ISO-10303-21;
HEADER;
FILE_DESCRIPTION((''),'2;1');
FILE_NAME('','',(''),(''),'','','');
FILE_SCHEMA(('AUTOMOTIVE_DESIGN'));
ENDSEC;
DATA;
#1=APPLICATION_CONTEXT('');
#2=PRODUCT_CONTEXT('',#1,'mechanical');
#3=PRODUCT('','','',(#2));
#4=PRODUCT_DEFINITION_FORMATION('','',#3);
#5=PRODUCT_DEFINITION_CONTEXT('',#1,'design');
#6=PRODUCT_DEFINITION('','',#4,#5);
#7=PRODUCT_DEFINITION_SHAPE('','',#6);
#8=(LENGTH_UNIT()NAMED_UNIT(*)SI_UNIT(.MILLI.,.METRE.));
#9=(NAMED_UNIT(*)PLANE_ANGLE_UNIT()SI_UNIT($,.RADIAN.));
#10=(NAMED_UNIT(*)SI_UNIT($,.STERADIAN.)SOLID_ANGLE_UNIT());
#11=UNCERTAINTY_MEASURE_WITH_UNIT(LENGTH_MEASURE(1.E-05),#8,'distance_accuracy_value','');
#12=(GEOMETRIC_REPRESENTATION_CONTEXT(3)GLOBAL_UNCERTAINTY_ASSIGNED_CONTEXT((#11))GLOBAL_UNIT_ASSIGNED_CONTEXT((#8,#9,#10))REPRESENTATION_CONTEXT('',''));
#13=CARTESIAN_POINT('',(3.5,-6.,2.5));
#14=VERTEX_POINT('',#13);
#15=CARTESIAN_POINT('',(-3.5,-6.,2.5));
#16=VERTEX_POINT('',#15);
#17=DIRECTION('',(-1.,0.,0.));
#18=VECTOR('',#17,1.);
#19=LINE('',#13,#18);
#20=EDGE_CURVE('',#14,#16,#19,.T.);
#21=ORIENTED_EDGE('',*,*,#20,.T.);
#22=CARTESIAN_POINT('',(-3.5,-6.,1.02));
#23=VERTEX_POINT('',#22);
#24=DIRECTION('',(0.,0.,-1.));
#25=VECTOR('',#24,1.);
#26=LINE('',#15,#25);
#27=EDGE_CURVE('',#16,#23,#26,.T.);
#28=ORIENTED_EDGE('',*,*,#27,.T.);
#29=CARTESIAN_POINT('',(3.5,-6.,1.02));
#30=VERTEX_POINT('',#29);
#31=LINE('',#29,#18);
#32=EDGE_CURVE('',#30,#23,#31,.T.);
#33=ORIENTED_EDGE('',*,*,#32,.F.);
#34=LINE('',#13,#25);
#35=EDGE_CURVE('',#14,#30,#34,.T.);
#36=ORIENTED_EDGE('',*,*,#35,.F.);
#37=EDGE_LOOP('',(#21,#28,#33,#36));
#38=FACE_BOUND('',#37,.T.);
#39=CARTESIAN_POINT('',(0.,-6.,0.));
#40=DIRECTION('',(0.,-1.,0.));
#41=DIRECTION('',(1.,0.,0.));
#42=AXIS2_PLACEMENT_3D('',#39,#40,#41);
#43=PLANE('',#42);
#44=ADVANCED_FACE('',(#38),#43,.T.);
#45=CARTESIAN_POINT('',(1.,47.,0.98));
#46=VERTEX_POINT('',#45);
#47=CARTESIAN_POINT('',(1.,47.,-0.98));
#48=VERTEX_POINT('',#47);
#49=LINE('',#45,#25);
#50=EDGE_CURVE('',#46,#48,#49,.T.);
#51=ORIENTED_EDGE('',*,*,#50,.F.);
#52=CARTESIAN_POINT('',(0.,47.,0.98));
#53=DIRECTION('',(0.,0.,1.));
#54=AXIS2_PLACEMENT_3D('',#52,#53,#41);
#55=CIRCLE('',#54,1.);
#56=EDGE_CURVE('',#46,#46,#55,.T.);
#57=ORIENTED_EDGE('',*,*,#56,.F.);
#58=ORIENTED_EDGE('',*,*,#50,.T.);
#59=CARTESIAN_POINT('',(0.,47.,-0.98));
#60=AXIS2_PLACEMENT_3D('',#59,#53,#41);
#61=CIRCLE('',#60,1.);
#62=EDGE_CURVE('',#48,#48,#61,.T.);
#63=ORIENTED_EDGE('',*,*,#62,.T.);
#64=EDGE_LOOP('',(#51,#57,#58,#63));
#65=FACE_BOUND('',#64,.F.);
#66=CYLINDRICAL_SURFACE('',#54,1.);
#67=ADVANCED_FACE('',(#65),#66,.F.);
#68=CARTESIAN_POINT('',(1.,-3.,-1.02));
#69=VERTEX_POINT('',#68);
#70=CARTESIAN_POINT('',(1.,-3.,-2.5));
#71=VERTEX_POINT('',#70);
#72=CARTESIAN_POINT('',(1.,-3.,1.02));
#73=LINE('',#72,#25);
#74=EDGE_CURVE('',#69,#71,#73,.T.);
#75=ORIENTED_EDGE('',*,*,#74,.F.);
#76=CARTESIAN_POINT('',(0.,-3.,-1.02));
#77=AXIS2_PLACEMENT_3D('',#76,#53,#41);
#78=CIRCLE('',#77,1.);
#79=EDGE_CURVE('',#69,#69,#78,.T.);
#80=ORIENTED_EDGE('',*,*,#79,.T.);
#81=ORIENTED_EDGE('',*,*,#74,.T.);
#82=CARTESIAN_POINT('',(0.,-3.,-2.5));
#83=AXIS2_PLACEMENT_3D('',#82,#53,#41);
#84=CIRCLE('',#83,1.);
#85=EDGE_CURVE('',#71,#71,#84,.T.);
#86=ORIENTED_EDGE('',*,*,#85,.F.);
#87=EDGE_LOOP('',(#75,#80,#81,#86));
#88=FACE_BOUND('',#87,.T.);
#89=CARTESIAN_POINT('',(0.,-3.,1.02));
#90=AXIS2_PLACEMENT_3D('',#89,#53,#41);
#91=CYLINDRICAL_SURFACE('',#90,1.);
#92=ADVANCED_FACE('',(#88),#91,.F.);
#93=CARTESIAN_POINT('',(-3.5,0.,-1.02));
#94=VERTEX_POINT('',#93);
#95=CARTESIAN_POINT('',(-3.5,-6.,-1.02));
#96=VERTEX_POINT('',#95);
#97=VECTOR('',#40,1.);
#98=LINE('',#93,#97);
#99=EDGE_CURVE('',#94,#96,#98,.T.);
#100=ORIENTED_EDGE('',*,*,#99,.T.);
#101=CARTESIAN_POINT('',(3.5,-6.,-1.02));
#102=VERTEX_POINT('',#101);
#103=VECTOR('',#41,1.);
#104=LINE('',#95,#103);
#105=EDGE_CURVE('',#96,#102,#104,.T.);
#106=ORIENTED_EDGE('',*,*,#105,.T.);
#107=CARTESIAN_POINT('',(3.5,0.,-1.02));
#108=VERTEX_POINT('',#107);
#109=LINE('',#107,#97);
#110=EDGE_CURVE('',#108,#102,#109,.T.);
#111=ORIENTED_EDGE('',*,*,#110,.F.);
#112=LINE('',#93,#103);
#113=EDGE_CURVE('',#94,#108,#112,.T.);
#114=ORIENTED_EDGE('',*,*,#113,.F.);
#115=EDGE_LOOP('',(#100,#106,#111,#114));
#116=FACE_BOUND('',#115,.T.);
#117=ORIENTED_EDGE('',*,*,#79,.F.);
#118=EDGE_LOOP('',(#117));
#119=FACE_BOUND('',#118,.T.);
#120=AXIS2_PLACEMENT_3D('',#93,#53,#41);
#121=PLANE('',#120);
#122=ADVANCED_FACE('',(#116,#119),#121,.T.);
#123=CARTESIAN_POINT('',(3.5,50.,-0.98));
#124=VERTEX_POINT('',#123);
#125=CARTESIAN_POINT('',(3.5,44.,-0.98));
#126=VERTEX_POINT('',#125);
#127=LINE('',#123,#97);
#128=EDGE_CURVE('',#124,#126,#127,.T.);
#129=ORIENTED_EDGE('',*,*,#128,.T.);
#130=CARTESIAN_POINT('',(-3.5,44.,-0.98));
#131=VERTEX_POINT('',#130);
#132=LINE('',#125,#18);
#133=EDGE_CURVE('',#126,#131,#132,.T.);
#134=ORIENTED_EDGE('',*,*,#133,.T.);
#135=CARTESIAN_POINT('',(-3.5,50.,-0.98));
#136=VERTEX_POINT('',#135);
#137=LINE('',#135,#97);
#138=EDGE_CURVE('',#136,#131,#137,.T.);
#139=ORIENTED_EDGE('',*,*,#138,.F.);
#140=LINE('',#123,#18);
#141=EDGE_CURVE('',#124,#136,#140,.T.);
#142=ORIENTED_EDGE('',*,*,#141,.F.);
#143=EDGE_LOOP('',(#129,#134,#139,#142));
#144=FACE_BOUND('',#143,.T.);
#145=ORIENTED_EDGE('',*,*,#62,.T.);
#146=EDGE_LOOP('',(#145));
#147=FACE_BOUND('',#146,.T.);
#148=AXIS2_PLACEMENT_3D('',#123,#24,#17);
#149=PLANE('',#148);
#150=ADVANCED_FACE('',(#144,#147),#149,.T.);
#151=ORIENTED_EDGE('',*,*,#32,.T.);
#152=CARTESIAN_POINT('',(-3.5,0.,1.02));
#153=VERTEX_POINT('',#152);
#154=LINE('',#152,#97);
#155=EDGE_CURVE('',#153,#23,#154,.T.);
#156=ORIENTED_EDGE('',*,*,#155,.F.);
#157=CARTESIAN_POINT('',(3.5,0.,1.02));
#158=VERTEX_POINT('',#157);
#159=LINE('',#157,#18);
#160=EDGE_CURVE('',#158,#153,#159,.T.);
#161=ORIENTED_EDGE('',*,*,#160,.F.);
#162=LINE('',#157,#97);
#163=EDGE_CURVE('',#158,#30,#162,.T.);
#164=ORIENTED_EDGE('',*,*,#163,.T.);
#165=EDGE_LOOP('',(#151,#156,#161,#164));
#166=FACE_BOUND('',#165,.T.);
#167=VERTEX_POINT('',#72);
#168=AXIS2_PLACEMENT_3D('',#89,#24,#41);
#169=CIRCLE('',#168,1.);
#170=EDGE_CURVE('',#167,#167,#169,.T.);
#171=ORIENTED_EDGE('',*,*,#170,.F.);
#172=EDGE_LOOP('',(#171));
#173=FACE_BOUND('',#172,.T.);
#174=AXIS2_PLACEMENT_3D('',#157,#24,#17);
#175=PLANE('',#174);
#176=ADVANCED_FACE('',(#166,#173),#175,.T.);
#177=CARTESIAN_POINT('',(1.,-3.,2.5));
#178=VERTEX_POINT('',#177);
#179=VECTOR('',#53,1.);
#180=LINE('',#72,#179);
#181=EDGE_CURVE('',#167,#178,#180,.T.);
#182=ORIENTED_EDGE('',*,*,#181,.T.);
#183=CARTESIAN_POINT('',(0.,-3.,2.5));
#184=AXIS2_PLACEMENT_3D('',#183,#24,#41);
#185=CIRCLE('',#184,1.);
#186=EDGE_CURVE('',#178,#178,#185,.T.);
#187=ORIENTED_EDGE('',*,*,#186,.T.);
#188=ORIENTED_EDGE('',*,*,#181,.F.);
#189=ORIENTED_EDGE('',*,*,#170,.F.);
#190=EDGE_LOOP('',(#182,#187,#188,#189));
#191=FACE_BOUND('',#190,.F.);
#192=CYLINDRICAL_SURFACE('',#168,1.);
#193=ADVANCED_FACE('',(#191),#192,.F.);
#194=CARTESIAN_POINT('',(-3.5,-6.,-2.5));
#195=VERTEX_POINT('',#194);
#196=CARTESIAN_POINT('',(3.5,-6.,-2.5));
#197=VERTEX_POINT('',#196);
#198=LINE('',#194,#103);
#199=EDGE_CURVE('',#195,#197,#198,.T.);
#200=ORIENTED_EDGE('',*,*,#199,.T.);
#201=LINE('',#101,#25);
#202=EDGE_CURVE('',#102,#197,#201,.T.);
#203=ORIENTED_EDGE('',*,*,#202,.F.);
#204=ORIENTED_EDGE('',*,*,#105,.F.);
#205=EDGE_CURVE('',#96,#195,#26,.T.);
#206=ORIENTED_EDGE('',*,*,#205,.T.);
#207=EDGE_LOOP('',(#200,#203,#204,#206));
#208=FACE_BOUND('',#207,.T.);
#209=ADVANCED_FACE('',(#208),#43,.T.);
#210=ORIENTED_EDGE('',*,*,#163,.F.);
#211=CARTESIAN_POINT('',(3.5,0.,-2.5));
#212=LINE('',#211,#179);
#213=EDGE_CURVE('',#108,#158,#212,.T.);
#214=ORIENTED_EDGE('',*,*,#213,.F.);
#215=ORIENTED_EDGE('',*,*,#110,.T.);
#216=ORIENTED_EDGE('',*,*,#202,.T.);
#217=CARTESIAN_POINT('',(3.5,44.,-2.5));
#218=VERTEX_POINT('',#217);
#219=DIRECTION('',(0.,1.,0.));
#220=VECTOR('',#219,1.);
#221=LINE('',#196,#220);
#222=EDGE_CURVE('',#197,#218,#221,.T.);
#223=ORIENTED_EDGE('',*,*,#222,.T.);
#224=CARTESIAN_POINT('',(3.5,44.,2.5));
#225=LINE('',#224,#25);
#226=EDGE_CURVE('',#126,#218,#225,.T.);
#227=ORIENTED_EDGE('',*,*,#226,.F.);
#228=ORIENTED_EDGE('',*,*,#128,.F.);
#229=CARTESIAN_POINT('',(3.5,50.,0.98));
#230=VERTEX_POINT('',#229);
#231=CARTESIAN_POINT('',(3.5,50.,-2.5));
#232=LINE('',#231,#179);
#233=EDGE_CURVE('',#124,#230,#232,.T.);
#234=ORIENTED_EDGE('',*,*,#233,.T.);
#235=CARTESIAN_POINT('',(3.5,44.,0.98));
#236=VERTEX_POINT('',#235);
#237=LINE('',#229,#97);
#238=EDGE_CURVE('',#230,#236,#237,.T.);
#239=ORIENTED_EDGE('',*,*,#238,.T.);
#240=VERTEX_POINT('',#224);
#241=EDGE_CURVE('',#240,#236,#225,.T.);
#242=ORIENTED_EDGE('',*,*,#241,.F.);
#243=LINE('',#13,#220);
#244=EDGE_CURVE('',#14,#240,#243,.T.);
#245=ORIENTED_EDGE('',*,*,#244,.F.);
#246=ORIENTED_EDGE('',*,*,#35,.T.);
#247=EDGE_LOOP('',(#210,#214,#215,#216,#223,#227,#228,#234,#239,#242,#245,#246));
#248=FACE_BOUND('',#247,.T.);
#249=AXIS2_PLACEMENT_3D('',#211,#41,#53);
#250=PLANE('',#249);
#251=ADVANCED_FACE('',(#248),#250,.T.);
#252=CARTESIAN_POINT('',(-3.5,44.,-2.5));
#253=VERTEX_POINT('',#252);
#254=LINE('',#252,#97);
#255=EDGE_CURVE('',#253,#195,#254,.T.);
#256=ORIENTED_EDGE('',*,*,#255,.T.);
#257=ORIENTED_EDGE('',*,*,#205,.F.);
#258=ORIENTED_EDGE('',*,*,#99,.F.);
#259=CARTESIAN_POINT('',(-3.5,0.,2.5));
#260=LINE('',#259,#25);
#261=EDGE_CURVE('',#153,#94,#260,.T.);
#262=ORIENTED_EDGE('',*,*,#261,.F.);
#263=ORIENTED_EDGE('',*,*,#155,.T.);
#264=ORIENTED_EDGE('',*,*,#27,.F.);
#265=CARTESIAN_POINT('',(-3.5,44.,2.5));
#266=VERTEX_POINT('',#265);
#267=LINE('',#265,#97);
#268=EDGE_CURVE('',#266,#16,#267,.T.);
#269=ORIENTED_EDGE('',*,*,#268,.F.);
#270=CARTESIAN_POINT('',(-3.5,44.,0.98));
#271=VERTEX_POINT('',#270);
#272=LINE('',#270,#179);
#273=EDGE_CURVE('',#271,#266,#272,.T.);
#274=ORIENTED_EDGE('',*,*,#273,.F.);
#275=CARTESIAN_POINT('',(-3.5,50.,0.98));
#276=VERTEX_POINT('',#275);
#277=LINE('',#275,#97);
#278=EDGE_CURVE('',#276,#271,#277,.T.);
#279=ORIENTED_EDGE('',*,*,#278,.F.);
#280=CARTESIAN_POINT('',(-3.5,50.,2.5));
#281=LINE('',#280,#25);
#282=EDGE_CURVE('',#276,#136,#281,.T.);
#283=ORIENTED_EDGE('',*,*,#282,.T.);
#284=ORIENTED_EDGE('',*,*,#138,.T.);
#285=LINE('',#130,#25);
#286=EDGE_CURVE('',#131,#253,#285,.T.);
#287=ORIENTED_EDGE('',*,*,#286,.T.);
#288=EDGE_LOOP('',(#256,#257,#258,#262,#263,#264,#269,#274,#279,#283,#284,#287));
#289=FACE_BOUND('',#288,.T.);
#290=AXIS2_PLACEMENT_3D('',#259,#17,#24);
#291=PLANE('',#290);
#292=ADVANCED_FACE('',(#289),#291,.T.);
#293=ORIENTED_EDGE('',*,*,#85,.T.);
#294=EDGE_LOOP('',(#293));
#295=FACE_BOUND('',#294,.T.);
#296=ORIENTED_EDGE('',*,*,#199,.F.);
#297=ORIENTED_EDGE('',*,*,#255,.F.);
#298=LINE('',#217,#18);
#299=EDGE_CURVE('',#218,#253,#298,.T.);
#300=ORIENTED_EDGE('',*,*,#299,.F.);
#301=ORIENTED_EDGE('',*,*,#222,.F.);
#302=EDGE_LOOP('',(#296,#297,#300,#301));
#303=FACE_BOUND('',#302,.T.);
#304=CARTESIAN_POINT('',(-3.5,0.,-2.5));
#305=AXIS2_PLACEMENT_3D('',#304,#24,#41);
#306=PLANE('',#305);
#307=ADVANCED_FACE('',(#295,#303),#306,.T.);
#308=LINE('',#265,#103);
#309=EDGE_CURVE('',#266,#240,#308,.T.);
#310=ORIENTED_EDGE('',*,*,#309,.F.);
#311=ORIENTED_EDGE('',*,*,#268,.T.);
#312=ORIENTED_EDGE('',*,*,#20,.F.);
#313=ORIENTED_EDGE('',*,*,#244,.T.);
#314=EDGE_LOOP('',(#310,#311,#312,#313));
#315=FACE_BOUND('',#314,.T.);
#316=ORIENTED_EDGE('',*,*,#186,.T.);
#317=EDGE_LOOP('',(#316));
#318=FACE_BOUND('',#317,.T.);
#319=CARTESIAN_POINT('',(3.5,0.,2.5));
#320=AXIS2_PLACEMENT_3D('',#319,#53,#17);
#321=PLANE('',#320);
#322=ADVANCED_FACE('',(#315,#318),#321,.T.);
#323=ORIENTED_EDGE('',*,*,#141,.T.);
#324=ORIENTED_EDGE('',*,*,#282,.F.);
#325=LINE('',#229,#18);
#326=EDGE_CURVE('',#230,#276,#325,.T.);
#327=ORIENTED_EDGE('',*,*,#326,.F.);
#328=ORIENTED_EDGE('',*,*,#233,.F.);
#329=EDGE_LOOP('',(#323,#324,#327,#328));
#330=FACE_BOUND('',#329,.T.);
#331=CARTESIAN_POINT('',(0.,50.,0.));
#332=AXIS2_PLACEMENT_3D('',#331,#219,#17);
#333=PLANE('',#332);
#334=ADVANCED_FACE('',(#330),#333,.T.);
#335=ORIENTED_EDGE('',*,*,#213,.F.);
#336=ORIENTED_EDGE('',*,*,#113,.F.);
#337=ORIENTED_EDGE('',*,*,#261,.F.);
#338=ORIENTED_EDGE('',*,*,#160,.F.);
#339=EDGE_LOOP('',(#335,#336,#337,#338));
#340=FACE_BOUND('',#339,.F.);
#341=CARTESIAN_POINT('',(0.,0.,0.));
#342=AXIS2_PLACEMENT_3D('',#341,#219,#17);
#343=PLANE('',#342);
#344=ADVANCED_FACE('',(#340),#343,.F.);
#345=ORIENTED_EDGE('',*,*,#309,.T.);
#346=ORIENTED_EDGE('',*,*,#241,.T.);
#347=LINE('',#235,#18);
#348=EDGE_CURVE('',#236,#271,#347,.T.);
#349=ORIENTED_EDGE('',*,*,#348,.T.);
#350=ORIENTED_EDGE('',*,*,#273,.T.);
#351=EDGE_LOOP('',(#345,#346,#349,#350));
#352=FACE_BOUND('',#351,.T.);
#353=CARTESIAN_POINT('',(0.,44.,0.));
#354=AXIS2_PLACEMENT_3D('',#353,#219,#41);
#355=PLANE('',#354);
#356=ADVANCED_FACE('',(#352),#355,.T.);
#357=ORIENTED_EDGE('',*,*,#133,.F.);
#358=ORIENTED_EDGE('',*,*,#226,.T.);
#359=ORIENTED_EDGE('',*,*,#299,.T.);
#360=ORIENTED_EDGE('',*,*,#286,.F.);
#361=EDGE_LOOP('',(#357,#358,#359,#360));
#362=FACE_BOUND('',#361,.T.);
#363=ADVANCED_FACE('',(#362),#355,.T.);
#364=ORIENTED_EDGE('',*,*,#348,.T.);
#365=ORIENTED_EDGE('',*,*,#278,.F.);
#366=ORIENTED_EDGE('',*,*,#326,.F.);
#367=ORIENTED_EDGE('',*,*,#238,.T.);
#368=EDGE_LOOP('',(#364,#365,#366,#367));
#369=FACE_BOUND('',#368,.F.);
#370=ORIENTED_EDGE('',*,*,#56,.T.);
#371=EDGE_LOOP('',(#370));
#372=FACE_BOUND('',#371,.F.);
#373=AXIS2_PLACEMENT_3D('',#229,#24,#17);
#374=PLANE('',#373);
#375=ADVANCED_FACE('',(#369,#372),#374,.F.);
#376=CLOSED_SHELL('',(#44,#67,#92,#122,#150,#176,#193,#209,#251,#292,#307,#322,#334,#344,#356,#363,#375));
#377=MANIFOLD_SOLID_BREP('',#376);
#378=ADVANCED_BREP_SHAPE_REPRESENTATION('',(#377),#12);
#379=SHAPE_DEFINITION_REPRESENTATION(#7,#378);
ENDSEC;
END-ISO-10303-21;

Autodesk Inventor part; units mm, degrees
ref_plane "YZ Plane" through (0, 0, 0) normal (1, 0, 0) x (0, 1, 0)
ref_plane "XZ Plane" through (0, 0, 0) normal (0, 1, 0) x (-1, 0, 0)
ref_plane "XY Plane" through (0, 0, 0) normal (0, 0, 1) x (1, 0, 0)
sketch "Sketch1" plane through (0, 0, 0) normal (0, 1, 0) x (-1, 0, 0)
  line L0 (-3.5, 2.5) -> (3.5, 2.5)
  line L1 (3.5, 2.5) -> (3.5, -2.5)
  line L2 (3.5, -2.5) -> (-3.5, -2.5)
  line L3 (-3.5, -2.5) -> (-3.5, 2.5)
  line L4 (-3.5, 2.5) -> (3.5, -2.5) construction
  line L5 (3.5, 2.5) -> (-3.5, -2.5) construction
  point P0 (0, 0)
  dimension "d0" = 5
  dimension "d1" = 7
extrude "Extrusion1" add sketch "Sketch1" along normal blind 50
sketch "Sketch2" plane through (0, 50, 0) normal (0, 1, 0) x (1, 0, 0)
  line L0 (-3.5, -2.5) -> (3.5, -2.5) projected
  line L1 (3.5, -2.5) -> (3.5, 2.5) projected
  line L2 (3.5, 2.5) -> (-3.5, 2.5) projected
  line L3 (-3.5, -2.5) -> (3.5, -2.5)
  line L4 (3.5, -2.5) -> (3.5, -0.98)
  line L5 (3.5, -0.98) -> (-3.5, -0.98)
  line L6 (-3.5, -0.98) -> (-3.5, -2.5)
  line L7 (-3.5, 2.5) -> (3.5, 2.5)
  line L8 (3.5, 2.5) -> (3.5, 0.98)
  line L9 (3.5, 0.98) -> (-3.5, 0.98)
  line L10 (-3.5, 0.98) -> (-3.5, 2.5)
  point P0 (0, 0)
  dimension "d4" = 1.52
  dimension "d5" = 1.52
extrude "Extrusion2" cut sketch "Sketch2" against normal blind 6
sketch "Sketch3" plane through (-3.5, 50, 0.98) normal (0, 0, 1) x (1, 0, 0)
  line L0 (0, 0) -> (7, 0) projected
  line L1 (7, 0) -> (7, -6) projected
  circle A0 centre (3.5, -3) radius 1
  point P0 (3.5, -50)
  dimension "d8" = 2
  dimension "d9" = 3.5
  dimension "d10" = 3
extrude "Extrusion3" cut sketch "Sketch3" against normal through all
sketch "Sketch4" plane through (0, 0, 0) normal (0, -1, 0) x (1, 0, 0)
  line L0 (3.5, 2.5) -> (-3.5, 2.5) projected
  line L1 (-3.5, 2.5) -> (-3.5, -2.5) projected
  line L2 (-3.5, -2.5) -> (3.5, -2.5) projected
  line L3 (3.5, 0.98) -> (3.5, -0.98) projected
  line L4 (-3.5, 2.5) -> (3.5, 2.5)
  line L5 (3.5, 2.5) -> (3.5, 1.02)
  line L6 (3.5, 1.02) -> (-3.5, 1.02)
  line L7 (-3.5, 1.02) -> (-3.5, 2.5)
  line L8 (-3.5, -2.5) -> (3.5, -2.5) projected
  line L9 (3.5, -2.5) -> (-3.5, -2.5)
  line L10 (-3.5, -2.5) -> (-3.5, -1.02)
  line L11 (-3.5, -1.02) -> (3.5, -1.02)
  line L12 (3.5, -1.02) -> (3.5, -2.5)
  point P0 (0, 0)
  dimension "d13" = 1.48
  dimension "d14" = 1.48
extrude "Extrusion4" add sketch "Sketch4" along normal blind 6
sketch "Sketch5" plane through (-3.5, 0, 1.02) normal (0, 0, -1) x (1, 0, 0)
  line L0 (7, 0) -> (0, 0) projected
  line L1 (7, 0) -> (7, 6) projected
  circle A0 centre (3.5, 3) radius 1
  point P0 (3.5, 0)
  dimension "d17" = 3
  dimension "d18" = 3.5
  dimension "d19" = 2
extrude "Extrusion6" cut sketch "Sketch5" along normal through all both and the other way through all
properties part number "LD_holder_p4"
